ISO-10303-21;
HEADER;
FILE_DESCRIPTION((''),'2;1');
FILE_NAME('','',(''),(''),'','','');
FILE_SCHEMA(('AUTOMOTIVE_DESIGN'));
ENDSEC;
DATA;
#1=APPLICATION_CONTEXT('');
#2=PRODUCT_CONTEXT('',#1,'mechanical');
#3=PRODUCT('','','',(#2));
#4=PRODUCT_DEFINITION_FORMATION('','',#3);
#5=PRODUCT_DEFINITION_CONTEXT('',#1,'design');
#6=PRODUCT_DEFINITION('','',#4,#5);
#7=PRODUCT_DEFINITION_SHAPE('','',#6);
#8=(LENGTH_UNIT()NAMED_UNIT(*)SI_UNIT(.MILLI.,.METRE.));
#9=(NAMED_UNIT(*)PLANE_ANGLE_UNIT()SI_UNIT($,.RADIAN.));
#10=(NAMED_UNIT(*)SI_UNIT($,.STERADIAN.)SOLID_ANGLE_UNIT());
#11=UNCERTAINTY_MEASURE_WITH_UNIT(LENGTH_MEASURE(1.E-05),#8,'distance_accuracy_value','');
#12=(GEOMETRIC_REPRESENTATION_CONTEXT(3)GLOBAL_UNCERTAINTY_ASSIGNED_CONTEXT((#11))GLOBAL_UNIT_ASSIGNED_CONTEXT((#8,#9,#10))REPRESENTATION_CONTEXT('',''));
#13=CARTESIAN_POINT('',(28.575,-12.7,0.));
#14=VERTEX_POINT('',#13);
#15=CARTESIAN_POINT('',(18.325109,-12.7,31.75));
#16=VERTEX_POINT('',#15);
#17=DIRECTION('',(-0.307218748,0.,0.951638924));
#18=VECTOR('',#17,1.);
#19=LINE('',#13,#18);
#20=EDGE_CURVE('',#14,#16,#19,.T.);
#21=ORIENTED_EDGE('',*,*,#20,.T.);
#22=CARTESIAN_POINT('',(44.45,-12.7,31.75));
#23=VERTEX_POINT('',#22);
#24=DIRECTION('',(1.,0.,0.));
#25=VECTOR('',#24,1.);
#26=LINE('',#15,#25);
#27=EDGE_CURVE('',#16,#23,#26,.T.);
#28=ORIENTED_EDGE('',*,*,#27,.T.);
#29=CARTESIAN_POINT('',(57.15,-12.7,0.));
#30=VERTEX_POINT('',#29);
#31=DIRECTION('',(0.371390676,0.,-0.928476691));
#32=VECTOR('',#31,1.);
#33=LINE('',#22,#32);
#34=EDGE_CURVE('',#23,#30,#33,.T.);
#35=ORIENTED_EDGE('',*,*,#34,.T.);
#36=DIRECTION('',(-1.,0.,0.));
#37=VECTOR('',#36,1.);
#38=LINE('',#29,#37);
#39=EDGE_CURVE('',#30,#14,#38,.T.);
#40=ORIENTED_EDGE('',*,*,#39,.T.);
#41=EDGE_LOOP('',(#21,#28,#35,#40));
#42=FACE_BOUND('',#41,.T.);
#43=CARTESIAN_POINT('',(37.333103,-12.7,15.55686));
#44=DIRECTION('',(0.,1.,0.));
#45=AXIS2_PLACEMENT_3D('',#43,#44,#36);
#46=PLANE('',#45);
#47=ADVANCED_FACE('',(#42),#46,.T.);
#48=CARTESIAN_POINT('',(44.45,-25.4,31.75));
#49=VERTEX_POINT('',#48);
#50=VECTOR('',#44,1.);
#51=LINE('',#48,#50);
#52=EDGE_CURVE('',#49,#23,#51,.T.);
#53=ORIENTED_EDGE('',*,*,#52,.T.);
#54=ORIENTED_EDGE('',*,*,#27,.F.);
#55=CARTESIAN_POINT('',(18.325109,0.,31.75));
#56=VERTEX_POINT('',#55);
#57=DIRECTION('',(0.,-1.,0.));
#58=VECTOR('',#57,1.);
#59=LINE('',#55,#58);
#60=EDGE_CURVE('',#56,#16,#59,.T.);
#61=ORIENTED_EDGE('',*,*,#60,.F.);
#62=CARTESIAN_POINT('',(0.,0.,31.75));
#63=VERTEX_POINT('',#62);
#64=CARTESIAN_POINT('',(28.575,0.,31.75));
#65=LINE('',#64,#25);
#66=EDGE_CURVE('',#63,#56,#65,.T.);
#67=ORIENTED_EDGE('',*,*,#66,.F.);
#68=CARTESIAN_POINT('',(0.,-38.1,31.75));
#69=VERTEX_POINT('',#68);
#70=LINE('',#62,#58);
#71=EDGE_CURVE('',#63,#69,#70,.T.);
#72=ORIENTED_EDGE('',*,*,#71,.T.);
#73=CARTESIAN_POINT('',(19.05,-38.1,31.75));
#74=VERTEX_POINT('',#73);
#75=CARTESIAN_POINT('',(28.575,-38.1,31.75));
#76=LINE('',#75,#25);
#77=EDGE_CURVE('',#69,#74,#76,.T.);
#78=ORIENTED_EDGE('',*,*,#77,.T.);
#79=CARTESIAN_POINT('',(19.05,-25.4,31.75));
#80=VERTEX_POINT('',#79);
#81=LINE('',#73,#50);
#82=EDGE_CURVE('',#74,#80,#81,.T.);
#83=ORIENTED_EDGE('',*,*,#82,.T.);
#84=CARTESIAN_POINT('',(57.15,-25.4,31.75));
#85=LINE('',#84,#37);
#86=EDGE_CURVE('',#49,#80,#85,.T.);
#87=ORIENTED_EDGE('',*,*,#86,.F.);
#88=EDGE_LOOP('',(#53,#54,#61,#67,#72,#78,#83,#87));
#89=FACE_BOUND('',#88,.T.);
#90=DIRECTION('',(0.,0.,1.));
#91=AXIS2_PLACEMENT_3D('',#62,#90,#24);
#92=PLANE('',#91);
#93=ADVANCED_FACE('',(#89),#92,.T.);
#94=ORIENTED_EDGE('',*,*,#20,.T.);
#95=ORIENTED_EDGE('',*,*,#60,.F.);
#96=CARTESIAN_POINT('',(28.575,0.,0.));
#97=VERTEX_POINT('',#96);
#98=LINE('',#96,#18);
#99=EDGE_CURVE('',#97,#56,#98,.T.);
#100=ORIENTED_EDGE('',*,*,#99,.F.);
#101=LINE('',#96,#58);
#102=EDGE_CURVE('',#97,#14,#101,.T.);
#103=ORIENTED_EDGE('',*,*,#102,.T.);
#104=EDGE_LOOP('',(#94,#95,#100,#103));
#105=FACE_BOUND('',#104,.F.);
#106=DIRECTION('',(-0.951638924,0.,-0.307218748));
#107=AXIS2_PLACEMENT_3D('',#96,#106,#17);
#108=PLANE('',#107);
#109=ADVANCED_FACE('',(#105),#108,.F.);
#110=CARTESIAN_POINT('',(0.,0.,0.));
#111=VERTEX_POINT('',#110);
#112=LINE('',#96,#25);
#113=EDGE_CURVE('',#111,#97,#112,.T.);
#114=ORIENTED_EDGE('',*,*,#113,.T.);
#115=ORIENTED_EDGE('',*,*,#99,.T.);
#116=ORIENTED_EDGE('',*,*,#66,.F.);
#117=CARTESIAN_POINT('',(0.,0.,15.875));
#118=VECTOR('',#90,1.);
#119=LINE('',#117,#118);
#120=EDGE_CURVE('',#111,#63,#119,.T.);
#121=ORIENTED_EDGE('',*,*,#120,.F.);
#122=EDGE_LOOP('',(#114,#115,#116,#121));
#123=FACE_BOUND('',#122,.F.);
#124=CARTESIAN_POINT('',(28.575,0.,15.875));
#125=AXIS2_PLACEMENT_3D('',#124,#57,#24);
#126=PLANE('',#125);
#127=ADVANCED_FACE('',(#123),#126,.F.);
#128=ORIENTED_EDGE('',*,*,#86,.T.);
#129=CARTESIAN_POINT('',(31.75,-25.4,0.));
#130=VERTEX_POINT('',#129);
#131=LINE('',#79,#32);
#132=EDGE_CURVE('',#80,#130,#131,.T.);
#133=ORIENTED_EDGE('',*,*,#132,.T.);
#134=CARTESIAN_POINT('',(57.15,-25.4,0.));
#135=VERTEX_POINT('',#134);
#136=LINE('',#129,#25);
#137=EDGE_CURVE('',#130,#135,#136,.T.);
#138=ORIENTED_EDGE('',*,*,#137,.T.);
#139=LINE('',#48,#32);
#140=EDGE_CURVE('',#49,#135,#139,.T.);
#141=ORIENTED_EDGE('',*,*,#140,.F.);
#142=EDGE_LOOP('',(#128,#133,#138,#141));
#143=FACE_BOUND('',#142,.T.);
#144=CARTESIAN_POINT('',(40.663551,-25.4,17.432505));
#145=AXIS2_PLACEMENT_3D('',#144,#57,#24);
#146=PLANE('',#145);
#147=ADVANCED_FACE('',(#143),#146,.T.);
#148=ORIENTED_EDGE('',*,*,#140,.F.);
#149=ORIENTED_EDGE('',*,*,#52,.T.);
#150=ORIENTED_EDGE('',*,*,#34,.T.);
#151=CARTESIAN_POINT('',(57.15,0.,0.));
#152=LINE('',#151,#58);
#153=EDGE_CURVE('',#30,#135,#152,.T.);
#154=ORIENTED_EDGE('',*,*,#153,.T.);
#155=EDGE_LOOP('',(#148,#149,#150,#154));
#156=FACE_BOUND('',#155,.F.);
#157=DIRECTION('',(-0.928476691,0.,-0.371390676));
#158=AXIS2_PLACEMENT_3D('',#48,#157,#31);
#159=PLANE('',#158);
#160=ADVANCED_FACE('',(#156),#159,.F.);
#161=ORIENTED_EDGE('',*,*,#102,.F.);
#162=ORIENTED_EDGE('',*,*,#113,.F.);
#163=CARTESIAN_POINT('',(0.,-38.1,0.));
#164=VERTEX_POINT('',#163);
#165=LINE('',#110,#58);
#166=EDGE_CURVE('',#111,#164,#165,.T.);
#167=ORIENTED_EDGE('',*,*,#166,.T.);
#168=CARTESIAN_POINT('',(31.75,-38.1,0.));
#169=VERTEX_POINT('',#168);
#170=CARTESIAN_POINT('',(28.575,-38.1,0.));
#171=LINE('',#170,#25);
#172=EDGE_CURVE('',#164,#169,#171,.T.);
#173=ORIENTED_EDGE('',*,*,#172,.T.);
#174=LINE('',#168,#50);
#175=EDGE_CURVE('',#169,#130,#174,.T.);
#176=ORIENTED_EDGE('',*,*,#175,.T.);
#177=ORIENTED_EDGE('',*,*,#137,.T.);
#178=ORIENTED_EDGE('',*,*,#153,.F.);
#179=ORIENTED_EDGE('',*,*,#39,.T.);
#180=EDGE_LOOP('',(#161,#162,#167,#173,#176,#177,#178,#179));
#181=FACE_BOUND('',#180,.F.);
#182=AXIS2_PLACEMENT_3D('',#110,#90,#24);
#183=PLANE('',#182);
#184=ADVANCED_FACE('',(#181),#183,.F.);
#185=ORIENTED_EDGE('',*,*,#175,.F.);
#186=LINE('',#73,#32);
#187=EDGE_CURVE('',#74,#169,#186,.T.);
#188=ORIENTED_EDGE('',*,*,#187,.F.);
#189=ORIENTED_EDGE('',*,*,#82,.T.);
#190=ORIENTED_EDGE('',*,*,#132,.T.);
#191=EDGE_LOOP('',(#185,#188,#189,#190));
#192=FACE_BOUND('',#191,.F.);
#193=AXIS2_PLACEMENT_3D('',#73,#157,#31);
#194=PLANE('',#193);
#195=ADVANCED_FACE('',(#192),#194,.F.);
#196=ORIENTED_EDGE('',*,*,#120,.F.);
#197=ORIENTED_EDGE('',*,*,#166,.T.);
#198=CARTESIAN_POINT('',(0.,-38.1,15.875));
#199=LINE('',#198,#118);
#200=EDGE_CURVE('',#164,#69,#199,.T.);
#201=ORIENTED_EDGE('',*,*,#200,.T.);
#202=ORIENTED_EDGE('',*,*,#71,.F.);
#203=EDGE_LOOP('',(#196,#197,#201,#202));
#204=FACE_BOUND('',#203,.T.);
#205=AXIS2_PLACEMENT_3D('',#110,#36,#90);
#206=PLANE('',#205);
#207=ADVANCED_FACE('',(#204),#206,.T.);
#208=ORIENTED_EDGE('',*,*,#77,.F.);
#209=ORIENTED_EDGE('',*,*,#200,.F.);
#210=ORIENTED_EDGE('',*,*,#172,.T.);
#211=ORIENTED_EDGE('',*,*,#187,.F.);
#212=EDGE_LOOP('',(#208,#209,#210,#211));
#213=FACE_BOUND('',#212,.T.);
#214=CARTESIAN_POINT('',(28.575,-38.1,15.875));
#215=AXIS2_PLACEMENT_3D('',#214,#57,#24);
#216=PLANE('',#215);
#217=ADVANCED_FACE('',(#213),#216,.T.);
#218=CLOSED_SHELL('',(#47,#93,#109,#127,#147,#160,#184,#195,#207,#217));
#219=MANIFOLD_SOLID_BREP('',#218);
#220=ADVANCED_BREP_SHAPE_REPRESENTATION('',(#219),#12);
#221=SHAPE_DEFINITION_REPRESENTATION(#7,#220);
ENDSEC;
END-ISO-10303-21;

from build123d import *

# Parameters (mm, degrees)
F0_W     = 57.15
F0_H     = 31.75
F1_DEPTH = 38.1
F3_DEPTH = 12.7
F5_DEPTH = 25.4
F7_DEPTH = 12.7


with BuildPart() as f1:
    # F0 (on Front) → F1 (new body)
    with BuildSketch(Plane.XZ):
        with Locations((28.575, 15.875)):
            Rectangle(F0_W, F0_H)
    extrude(amount=F1_DEPTH)

    # F2 (on face) → F3 (cut)
    with BuildSketch(Plane.XZ.offset(38.1)):
        Polygon((57.15, 31.75), (19.05, 31.75), (31.75, 0), (57.15, 0), align=None)
    extrude(amount=-F3_DEPTH, mode=Mode.SUBTRACT)

    # F4 (on face) → F5 (cut)
    with BuildSketch(Plane.XZ.offset(25.4)):
        Polygon((57.15, 31.75), (44.45, 31.75), (57.15, 0), align=None)
    extrude(amount=-F5_DEPTH, mode=Mode.SUBTRACT)

    # F6 (on face) → F7 (cut)
    with BuildSketch(Plane(origin=(0, 0, 0), x_dir=(-1, 0, 0), z_dir=(0, 1, 0))):
        Polygon((-28.575, 0), (-18.325109, 31.75), (-44.45, 31.75), (-57.15, 0), align=None)
    extrude(amount=-F7_DEPTH, mode=Mode.SUBTRACT)


solid = f1.part
